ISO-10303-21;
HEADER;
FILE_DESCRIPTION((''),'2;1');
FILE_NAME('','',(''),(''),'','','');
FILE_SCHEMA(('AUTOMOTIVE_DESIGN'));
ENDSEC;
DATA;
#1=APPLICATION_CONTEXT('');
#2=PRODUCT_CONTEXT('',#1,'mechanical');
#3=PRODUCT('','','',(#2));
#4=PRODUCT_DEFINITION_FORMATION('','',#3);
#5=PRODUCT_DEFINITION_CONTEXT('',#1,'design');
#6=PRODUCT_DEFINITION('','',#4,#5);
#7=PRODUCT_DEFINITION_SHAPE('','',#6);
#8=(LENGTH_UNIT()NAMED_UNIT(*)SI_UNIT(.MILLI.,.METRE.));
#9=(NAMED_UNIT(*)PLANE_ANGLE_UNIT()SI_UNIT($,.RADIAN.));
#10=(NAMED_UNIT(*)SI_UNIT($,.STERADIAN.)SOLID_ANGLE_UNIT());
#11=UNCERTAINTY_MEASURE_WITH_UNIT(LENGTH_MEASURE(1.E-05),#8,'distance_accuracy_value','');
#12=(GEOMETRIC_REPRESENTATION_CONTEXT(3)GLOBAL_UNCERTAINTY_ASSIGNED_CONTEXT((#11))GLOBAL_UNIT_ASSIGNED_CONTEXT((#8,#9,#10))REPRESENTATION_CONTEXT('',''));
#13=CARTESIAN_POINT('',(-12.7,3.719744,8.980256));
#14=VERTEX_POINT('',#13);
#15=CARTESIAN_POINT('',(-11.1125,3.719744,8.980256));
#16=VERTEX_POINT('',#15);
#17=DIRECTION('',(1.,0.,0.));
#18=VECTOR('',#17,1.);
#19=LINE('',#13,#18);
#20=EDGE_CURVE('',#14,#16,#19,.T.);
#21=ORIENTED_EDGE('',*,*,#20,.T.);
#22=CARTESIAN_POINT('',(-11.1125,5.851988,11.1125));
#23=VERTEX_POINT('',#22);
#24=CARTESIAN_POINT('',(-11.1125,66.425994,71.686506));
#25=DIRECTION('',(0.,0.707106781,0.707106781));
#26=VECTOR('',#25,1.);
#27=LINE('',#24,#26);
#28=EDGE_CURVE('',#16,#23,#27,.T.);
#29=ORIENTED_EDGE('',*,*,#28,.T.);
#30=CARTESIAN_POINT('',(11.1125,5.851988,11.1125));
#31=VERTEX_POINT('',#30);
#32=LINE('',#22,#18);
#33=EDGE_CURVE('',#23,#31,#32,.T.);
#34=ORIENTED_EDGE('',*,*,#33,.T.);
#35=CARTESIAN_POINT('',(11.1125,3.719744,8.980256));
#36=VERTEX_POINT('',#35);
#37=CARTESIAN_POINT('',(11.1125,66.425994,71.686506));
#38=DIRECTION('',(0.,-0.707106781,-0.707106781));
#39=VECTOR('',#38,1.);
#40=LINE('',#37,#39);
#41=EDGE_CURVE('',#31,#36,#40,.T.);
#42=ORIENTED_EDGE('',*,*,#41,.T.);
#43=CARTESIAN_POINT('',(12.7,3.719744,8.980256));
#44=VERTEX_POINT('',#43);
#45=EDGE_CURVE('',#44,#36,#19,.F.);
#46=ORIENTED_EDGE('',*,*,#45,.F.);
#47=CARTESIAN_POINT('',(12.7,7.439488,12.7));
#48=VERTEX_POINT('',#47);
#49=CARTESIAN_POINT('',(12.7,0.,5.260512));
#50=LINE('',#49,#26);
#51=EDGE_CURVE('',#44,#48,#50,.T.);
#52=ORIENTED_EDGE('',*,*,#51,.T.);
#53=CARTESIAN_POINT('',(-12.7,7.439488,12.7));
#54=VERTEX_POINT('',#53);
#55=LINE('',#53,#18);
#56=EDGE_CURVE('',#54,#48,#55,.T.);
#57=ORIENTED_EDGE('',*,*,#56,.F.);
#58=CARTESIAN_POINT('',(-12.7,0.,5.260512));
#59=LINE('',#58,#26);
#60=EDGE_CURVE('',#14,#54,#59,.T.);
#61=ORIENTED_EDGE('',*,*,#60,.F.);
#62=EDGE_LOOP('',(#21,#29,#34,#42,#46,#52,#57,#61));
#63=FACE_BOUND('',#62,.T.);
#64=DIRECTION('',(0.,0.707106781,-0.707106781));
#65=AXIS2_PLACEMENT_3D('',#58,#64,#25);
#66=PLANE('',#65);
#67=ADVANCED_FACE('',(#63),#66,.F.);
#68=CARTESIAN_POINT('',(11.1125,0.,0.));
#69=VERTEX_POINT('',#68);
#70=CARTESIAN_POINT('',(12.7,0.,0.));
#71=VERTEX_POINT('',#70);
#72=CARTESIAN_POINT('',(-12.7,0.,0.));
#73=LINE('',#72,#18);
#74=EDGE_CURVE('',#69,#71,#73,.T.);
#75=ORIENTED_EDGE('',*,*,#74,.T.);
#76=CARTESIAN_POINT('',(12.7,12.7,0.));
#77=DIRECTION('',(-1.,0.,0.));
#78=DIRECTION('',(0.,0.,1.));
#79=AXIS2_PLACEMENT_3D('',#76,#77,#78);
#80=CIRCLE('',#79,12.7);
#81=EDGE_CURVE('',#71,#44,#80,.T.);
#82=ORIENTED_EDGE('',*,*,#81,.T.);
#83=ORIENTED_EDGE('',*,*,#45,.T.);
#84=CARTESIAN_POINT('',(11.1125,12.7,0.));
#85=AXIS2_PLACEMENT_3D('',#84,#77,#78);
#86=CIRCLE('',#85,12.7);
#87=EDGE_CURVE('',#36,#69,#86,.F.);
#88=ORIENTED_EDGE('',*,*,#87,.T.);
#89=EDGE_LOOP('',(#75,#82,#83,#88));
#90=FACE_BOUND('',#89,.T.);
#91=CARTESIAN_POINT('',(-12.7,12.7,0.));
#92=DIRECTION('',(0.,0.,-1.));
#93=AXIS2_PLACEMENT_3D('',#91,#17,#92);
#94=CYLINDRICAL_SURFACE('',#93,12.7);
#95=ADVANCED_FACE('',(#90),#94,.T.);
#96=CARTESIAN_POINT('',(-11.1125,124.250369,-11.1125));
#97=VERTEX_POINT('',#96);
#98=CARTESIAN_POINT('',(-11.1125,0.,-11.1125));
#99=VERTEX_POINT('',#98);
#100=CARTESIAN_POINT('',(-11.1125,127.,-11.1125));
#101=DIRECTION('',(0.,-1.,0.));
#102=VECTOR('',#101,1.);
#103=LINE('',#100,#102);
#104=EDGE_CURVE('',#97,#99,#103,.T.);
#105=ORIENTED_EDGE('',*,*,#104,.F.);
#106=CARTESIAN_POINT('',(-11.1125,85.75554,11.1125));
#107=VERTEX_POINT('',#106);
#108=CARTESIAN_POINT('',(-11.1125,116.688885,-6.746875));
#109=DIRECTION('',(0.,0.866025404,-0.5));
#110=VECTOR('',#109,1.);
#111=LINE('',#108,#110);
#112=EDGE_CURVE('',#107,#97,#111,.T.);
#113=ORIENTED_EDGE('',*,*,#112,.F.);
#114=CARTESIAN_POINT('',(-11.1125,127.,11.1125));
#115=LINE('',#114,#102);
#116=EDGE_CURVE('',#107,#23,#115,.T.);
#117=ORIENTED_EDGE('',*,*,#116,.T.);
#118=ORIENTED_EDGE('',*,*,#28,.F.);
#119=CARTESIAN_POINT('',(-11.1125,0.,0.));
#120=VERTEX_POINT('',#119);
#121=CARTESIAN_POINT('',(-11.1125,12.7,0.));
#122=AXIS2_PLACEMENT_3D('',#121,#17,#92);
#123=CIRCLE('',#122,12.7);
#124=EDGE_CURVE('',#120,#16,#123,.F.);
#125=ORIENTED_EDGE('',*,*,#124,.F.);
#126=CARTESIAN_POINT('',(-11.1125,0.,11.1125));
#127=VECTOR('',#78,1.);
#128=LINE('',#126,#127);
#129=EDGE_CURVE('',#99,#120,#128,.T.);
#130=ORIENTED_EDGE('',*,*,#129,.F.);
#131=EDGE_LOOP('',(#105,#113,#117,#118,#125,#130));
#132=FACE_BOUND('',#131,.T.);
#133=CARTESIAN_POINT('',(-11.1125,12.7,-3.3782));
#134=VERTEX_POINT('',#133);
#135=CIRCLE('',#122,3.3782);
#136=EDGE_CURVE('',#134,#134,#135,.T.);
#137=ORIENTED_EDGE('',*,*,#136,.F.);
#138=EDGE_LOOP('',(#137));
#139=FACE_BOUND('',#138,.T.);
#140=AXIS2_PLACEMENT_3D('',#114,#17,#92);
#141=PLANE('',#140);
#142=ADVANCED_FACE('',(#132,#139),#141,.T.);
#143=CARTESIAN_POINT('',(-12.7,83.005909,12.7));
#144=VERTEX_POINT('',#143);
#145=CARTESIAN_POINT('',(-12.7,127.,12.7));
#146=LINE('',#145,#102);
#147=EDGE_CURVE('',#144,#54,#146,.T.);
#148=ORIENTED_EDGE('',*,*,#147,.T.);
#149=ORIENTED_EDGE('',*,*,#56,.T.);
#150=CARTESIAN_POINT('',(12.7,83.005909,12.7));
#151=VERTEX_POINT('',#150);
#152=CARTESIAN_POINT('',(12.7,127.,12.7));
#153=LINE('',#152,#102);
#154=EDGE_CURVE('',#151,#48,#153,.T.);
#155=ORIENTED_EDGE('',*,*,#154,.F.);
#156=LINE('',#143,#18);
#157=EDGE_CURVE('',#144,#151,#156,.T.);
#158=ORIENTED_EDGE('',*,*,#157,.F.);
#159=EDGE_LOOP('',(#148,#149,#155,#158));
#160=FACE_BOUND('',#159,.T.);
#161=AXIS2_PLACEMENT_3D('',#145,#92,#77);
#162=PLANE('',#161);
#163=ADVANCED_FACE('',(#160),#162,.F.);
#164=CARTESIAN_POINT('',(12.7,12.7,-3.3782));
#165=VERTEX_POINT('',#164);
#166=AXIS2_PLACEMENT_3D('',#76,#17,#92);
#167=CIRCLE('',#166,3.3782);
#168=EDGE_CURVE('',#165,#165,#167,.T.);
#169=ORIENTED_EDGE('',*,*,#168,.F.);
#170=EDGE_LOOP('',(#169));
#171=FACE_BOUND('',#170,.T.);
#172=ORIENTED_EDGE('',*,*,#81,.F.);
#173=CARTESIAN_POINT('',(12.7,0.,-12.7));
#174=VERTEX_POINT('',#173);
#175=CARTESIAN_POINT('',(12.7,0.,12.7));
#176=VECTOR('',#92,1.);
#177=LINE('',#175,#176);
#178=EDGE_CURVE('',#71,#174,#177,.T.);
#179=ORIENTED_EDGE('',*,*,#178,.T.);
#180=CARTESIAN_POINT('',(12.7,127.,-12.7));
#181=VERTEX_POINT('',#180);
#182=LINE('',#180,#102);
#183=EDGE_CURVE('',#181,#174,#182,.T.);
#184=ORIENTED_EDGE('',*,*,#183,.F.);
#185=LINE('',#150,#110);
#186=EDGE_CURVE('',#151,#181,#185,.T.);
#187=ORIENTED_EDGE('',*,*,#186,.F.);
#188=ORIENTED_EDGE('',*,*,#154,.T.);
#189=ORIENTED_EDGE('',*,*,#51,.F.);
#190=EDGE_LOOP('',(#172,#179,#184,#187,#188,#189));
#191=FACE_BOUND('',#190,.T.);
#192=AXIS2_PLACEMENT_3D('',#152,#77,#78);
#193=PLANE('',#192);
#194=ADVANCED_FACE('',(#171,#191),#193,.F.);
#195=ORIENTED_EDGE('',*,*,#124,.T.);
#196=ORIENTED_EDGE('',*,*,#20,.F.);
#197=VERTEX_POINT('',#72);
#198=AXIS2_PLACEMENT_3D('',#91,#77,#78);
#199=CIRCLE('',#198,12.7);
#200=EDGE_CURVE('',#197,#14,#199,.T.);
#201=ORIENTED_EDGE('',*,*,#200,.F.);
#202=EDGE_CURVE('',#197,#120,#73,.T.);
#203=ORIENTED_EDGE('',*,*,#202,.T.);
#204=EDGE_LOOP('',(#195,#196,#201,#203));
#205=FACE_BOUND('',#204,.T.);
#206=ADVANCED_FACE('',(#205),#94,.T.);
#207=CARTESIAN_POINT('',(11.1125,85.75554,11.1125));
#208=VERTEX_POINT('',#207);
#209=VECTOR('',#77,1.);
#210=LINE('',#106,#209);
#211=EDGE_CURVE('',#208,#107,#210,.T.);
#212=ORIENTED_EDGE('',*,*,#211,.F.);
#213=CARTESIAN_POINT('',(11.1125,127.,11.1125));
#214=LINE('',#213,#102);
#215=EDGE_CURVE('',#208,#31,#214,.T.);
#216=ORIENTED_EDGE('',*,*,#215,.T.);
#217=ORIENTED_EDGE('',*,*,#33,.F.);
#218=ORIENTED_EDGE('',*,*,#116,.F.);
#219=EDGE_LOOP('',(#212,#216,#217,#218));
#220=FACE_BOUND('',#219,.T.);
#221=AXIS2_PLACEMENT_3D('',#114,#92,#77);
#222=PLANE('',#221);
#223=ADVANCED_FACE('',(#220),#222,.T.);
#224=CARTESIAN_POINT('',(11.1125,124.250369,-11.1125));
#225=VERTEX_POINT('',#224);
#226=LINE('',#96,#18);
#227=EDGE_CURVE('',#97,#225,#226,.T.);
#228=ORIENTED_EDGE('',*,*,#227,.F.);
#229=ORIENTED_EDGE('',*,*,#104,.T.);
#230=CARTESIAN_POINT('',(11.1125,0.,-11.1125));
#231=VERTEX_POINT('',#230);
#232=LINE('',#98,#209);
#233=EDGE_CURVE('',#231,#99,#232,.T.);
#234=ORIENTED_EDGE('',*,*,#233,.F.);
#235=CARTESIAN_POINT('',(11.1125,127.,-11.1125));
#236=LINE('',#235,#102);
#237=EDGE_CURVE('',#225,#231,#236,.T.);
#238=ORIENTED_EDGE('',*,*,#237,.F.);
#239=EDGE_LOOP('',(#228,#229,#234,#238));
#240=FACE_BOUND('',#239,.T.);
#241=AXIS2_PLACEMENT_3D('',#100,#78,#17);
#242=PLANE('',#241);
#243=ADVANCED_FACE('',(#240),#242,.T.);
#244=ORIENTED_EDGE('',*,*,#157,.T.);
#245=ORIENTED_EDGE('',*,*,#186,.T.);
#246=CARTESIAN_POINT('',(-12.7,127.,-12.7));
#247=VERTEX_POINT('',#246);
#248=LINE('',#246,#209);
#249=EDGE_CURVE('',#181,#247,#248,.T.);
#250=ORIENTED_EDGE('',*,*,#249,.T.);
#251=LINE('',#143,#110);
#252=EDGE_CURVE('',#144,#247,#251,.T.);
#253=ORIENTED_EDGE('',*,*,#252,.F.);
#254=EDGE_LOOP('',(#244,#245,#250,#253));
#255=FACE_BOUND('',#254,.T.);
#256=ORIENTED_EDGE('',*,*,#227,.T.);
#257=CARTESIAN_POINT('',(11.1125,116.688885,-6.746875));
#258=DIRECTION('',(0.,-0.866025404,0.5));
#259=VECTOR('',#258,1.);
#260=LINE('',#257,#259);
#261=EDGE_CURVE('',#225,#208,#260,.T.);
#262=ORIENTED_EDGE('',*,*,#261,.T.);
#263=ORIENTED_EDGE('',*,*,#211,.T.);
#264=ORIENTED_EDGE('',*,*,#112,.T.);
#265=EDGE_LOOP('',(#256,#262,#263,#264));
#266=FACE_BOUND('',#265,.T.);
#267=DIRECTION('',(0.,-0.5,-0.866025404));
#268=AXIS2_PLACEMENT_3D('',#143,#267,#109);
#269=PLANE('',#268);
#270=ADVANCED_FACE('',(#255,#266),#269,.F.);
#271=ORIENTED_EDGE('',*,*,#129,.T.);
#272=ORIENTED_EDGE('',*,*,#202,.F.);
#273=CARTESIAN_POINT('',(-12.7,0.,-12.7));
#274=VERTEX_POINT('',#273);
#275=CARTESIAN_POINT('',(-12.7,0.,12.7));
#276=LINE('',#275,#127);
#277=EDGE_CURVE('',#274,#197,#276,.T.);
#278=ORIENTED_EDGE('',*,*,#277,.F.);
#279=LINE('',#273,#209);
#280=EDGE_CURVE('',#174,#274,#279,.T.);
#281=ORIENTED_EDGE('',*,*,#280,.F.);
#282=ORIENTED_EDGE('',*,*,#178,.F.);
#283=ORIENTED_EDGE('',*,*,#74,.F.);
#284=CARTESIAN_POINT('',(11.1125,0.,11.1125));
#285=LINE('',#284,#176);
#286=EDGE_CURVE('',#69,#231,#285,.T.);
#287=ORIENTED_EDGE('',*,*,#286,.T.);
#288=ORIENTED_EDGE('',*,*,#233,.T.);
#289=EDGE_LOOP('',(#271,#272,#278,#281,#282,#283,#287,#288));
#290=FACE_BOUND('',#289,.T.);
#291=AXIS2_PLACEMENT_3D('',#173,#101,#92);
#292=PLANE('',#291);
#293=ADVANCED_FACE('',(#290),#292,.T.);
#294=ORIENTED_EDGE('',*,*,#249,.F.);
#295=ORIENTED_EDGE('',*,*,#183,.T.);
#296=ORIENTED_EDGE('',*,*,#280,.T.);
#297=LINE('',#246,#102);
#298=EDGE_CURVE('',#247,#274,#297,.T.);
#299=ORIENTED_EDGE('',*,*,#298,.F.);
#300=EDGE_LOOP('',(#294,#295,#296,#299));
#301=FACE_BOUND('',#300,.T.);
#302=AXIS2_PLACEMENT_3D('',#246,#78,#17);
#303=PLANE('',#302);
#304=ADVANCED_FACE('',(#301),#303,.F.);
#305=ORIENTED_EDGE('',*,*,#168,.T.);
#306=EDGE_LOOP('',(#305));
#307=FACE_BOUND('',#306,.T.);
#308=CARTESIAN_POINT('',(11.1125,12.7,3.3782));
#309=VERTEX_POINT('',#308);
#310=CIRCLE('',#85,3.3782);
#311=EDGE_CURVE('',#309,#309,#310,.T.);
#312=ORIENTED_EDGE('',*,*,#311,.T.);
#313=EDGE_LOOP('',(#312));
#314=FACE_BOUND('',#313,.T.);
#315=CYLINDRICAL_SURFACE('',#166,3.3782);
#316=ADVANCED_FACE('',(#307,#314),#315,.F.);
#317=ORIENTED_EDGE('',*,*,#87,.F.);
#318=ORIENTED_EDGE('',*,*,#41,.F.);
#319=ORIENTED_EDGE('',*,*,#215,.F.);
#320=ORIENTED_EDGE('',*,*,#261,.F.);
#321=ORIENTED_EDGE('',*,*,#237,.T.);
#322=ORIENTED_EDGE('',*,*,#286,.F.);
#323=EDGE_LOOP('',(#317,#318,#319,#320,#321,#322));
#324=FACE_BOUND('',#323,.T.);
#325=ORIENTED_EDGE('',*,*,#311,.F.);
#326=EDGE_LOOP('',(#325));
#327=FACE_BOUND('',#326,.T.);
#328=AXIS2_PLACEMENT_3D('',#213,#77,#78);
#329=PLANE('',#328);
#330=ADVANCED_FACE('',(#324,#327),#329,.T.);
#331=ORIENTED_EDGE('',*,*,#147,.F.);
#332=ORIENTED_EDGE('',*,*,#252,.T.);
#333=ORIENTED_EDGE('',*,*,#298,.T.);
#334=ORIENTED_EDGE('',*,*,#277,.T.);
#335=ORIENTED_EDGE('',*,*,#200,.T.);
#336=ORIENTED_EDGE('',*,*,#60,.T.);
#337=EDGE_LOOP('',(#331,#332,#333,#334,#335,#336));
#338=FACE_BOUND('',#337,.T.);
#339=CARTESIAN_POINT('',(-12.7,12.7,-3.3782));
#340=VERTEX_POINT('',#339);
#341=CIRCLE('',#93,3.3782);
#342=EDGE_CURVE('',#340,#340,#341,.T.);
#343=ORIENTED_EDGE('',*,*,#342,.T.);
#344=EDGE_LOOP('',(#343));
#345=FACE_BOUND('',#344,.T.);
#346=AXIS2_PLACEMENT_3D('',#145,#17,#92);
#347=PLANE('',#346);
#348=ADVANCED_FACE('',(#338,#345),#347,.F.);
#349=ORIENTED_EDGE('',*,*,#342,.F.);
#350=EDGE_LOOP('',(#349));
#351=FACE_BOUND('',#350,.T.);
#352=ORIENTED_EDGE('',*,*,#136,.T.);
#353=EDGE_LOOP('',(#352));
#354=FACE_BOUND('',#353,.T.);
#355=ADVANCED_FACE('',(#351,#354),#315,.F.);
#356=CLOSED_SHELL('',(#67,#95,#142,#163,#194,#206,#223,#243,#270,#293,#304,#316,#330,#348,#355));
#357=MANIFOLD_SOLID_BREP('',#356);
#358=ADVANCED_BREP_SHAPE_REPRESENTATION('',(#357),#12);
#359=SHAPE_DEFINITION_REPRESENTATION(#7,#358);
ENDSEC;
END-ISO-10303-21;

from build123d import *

# Parameters (mm, degrees)
SKETCH1_W               = 25.4
SKETCH1_H               = 25.4
SKETCH1_W_2             = 22.225
SKETCH1_H_2             = 22.225
EXTRUDE1_DEPTH          = 127
EXTRUDE3_DEPTH          = 131.136274728
F_1_4_CLEARANCE_HOLE1_D = 6.7564
EXTRUDE4_DEPTH          = 131.136274728
EXTRUDE5_DEPTH          = 131.136274728


with BuildPart() as part:
    # Sketch1 → Extrude1 (new body)
    with BuildSketch(Plane(origin=(0, 0, 0), x_dir=(1, 0, 0), z_dir=(0, 1, 0))):
        Rectangle(SKETCH1_W, SKETCH1_H)
        Rectangle(SKETCH1_W_2, SKETCH1_H_2, mode=Mode.SUBTRACT)
    extrude(amount=EXTRUDE1_DEPTH)

    # Sketch3 → Extrude3 (cut, through all)
    with BuildSketch(Plane(origin=(12.7, 0, 0), x_dir=(0, 0, -1), z_dir=(1, 0, 0))):
        Polygon((12.7, 127), (-12.7, 127), (-12.7, 83.005909488), align=None)
    extrude(amount=-EXTRUDE3_DEPTH, mode=Mode.SUBTRACT)

    # 1/4 Clearance Hole1 (through all)
    with Locations(Plane(origin=(12.7, 0, 0), x_dir=(0, 0, -1), z_dir=(1, 0, 0))):
        with Locations((0, 12.7)):
            Hole(F_1_4_CLEARANCE_HOLE1_D / 2)

    # Sketch7 → Extrude4 (cut, through all)
    with BuildSketch(Plane(origin=(12.7, 0, 0), x_dir=(0, 0, -1), z_dir=(1, 0, 0))):
        Polygon((-5.260512242, 0), (-12.7, 7.439487758), (-12.7, 0), align=None)
    extrude(amount=-EXTRUDE4_DEPTH, mode=Mode.SUBTRACT)

    # Sketch8 → Extrude5 (cut, through all)
    with BuildSketch(Plane(origin=(12.7, 0, 0), x_dir=(0, 0, -1), z_dir=(1, 0, 0))):
        with BuildLine():
            Line((0, 0), (-5.260512242, 0))
            Line((-5.260512242, 0), (-8.980256121, 3.719743879))
            ThreePointArc((-8.980256121, 3.719743879), (-4.860079591, 0.966729937), (0, 0))
        make_face()
    extrude(amount=-EXTRUDE5_DEPTH, mode=Mode.SUBTRACT)


solid = part.part
